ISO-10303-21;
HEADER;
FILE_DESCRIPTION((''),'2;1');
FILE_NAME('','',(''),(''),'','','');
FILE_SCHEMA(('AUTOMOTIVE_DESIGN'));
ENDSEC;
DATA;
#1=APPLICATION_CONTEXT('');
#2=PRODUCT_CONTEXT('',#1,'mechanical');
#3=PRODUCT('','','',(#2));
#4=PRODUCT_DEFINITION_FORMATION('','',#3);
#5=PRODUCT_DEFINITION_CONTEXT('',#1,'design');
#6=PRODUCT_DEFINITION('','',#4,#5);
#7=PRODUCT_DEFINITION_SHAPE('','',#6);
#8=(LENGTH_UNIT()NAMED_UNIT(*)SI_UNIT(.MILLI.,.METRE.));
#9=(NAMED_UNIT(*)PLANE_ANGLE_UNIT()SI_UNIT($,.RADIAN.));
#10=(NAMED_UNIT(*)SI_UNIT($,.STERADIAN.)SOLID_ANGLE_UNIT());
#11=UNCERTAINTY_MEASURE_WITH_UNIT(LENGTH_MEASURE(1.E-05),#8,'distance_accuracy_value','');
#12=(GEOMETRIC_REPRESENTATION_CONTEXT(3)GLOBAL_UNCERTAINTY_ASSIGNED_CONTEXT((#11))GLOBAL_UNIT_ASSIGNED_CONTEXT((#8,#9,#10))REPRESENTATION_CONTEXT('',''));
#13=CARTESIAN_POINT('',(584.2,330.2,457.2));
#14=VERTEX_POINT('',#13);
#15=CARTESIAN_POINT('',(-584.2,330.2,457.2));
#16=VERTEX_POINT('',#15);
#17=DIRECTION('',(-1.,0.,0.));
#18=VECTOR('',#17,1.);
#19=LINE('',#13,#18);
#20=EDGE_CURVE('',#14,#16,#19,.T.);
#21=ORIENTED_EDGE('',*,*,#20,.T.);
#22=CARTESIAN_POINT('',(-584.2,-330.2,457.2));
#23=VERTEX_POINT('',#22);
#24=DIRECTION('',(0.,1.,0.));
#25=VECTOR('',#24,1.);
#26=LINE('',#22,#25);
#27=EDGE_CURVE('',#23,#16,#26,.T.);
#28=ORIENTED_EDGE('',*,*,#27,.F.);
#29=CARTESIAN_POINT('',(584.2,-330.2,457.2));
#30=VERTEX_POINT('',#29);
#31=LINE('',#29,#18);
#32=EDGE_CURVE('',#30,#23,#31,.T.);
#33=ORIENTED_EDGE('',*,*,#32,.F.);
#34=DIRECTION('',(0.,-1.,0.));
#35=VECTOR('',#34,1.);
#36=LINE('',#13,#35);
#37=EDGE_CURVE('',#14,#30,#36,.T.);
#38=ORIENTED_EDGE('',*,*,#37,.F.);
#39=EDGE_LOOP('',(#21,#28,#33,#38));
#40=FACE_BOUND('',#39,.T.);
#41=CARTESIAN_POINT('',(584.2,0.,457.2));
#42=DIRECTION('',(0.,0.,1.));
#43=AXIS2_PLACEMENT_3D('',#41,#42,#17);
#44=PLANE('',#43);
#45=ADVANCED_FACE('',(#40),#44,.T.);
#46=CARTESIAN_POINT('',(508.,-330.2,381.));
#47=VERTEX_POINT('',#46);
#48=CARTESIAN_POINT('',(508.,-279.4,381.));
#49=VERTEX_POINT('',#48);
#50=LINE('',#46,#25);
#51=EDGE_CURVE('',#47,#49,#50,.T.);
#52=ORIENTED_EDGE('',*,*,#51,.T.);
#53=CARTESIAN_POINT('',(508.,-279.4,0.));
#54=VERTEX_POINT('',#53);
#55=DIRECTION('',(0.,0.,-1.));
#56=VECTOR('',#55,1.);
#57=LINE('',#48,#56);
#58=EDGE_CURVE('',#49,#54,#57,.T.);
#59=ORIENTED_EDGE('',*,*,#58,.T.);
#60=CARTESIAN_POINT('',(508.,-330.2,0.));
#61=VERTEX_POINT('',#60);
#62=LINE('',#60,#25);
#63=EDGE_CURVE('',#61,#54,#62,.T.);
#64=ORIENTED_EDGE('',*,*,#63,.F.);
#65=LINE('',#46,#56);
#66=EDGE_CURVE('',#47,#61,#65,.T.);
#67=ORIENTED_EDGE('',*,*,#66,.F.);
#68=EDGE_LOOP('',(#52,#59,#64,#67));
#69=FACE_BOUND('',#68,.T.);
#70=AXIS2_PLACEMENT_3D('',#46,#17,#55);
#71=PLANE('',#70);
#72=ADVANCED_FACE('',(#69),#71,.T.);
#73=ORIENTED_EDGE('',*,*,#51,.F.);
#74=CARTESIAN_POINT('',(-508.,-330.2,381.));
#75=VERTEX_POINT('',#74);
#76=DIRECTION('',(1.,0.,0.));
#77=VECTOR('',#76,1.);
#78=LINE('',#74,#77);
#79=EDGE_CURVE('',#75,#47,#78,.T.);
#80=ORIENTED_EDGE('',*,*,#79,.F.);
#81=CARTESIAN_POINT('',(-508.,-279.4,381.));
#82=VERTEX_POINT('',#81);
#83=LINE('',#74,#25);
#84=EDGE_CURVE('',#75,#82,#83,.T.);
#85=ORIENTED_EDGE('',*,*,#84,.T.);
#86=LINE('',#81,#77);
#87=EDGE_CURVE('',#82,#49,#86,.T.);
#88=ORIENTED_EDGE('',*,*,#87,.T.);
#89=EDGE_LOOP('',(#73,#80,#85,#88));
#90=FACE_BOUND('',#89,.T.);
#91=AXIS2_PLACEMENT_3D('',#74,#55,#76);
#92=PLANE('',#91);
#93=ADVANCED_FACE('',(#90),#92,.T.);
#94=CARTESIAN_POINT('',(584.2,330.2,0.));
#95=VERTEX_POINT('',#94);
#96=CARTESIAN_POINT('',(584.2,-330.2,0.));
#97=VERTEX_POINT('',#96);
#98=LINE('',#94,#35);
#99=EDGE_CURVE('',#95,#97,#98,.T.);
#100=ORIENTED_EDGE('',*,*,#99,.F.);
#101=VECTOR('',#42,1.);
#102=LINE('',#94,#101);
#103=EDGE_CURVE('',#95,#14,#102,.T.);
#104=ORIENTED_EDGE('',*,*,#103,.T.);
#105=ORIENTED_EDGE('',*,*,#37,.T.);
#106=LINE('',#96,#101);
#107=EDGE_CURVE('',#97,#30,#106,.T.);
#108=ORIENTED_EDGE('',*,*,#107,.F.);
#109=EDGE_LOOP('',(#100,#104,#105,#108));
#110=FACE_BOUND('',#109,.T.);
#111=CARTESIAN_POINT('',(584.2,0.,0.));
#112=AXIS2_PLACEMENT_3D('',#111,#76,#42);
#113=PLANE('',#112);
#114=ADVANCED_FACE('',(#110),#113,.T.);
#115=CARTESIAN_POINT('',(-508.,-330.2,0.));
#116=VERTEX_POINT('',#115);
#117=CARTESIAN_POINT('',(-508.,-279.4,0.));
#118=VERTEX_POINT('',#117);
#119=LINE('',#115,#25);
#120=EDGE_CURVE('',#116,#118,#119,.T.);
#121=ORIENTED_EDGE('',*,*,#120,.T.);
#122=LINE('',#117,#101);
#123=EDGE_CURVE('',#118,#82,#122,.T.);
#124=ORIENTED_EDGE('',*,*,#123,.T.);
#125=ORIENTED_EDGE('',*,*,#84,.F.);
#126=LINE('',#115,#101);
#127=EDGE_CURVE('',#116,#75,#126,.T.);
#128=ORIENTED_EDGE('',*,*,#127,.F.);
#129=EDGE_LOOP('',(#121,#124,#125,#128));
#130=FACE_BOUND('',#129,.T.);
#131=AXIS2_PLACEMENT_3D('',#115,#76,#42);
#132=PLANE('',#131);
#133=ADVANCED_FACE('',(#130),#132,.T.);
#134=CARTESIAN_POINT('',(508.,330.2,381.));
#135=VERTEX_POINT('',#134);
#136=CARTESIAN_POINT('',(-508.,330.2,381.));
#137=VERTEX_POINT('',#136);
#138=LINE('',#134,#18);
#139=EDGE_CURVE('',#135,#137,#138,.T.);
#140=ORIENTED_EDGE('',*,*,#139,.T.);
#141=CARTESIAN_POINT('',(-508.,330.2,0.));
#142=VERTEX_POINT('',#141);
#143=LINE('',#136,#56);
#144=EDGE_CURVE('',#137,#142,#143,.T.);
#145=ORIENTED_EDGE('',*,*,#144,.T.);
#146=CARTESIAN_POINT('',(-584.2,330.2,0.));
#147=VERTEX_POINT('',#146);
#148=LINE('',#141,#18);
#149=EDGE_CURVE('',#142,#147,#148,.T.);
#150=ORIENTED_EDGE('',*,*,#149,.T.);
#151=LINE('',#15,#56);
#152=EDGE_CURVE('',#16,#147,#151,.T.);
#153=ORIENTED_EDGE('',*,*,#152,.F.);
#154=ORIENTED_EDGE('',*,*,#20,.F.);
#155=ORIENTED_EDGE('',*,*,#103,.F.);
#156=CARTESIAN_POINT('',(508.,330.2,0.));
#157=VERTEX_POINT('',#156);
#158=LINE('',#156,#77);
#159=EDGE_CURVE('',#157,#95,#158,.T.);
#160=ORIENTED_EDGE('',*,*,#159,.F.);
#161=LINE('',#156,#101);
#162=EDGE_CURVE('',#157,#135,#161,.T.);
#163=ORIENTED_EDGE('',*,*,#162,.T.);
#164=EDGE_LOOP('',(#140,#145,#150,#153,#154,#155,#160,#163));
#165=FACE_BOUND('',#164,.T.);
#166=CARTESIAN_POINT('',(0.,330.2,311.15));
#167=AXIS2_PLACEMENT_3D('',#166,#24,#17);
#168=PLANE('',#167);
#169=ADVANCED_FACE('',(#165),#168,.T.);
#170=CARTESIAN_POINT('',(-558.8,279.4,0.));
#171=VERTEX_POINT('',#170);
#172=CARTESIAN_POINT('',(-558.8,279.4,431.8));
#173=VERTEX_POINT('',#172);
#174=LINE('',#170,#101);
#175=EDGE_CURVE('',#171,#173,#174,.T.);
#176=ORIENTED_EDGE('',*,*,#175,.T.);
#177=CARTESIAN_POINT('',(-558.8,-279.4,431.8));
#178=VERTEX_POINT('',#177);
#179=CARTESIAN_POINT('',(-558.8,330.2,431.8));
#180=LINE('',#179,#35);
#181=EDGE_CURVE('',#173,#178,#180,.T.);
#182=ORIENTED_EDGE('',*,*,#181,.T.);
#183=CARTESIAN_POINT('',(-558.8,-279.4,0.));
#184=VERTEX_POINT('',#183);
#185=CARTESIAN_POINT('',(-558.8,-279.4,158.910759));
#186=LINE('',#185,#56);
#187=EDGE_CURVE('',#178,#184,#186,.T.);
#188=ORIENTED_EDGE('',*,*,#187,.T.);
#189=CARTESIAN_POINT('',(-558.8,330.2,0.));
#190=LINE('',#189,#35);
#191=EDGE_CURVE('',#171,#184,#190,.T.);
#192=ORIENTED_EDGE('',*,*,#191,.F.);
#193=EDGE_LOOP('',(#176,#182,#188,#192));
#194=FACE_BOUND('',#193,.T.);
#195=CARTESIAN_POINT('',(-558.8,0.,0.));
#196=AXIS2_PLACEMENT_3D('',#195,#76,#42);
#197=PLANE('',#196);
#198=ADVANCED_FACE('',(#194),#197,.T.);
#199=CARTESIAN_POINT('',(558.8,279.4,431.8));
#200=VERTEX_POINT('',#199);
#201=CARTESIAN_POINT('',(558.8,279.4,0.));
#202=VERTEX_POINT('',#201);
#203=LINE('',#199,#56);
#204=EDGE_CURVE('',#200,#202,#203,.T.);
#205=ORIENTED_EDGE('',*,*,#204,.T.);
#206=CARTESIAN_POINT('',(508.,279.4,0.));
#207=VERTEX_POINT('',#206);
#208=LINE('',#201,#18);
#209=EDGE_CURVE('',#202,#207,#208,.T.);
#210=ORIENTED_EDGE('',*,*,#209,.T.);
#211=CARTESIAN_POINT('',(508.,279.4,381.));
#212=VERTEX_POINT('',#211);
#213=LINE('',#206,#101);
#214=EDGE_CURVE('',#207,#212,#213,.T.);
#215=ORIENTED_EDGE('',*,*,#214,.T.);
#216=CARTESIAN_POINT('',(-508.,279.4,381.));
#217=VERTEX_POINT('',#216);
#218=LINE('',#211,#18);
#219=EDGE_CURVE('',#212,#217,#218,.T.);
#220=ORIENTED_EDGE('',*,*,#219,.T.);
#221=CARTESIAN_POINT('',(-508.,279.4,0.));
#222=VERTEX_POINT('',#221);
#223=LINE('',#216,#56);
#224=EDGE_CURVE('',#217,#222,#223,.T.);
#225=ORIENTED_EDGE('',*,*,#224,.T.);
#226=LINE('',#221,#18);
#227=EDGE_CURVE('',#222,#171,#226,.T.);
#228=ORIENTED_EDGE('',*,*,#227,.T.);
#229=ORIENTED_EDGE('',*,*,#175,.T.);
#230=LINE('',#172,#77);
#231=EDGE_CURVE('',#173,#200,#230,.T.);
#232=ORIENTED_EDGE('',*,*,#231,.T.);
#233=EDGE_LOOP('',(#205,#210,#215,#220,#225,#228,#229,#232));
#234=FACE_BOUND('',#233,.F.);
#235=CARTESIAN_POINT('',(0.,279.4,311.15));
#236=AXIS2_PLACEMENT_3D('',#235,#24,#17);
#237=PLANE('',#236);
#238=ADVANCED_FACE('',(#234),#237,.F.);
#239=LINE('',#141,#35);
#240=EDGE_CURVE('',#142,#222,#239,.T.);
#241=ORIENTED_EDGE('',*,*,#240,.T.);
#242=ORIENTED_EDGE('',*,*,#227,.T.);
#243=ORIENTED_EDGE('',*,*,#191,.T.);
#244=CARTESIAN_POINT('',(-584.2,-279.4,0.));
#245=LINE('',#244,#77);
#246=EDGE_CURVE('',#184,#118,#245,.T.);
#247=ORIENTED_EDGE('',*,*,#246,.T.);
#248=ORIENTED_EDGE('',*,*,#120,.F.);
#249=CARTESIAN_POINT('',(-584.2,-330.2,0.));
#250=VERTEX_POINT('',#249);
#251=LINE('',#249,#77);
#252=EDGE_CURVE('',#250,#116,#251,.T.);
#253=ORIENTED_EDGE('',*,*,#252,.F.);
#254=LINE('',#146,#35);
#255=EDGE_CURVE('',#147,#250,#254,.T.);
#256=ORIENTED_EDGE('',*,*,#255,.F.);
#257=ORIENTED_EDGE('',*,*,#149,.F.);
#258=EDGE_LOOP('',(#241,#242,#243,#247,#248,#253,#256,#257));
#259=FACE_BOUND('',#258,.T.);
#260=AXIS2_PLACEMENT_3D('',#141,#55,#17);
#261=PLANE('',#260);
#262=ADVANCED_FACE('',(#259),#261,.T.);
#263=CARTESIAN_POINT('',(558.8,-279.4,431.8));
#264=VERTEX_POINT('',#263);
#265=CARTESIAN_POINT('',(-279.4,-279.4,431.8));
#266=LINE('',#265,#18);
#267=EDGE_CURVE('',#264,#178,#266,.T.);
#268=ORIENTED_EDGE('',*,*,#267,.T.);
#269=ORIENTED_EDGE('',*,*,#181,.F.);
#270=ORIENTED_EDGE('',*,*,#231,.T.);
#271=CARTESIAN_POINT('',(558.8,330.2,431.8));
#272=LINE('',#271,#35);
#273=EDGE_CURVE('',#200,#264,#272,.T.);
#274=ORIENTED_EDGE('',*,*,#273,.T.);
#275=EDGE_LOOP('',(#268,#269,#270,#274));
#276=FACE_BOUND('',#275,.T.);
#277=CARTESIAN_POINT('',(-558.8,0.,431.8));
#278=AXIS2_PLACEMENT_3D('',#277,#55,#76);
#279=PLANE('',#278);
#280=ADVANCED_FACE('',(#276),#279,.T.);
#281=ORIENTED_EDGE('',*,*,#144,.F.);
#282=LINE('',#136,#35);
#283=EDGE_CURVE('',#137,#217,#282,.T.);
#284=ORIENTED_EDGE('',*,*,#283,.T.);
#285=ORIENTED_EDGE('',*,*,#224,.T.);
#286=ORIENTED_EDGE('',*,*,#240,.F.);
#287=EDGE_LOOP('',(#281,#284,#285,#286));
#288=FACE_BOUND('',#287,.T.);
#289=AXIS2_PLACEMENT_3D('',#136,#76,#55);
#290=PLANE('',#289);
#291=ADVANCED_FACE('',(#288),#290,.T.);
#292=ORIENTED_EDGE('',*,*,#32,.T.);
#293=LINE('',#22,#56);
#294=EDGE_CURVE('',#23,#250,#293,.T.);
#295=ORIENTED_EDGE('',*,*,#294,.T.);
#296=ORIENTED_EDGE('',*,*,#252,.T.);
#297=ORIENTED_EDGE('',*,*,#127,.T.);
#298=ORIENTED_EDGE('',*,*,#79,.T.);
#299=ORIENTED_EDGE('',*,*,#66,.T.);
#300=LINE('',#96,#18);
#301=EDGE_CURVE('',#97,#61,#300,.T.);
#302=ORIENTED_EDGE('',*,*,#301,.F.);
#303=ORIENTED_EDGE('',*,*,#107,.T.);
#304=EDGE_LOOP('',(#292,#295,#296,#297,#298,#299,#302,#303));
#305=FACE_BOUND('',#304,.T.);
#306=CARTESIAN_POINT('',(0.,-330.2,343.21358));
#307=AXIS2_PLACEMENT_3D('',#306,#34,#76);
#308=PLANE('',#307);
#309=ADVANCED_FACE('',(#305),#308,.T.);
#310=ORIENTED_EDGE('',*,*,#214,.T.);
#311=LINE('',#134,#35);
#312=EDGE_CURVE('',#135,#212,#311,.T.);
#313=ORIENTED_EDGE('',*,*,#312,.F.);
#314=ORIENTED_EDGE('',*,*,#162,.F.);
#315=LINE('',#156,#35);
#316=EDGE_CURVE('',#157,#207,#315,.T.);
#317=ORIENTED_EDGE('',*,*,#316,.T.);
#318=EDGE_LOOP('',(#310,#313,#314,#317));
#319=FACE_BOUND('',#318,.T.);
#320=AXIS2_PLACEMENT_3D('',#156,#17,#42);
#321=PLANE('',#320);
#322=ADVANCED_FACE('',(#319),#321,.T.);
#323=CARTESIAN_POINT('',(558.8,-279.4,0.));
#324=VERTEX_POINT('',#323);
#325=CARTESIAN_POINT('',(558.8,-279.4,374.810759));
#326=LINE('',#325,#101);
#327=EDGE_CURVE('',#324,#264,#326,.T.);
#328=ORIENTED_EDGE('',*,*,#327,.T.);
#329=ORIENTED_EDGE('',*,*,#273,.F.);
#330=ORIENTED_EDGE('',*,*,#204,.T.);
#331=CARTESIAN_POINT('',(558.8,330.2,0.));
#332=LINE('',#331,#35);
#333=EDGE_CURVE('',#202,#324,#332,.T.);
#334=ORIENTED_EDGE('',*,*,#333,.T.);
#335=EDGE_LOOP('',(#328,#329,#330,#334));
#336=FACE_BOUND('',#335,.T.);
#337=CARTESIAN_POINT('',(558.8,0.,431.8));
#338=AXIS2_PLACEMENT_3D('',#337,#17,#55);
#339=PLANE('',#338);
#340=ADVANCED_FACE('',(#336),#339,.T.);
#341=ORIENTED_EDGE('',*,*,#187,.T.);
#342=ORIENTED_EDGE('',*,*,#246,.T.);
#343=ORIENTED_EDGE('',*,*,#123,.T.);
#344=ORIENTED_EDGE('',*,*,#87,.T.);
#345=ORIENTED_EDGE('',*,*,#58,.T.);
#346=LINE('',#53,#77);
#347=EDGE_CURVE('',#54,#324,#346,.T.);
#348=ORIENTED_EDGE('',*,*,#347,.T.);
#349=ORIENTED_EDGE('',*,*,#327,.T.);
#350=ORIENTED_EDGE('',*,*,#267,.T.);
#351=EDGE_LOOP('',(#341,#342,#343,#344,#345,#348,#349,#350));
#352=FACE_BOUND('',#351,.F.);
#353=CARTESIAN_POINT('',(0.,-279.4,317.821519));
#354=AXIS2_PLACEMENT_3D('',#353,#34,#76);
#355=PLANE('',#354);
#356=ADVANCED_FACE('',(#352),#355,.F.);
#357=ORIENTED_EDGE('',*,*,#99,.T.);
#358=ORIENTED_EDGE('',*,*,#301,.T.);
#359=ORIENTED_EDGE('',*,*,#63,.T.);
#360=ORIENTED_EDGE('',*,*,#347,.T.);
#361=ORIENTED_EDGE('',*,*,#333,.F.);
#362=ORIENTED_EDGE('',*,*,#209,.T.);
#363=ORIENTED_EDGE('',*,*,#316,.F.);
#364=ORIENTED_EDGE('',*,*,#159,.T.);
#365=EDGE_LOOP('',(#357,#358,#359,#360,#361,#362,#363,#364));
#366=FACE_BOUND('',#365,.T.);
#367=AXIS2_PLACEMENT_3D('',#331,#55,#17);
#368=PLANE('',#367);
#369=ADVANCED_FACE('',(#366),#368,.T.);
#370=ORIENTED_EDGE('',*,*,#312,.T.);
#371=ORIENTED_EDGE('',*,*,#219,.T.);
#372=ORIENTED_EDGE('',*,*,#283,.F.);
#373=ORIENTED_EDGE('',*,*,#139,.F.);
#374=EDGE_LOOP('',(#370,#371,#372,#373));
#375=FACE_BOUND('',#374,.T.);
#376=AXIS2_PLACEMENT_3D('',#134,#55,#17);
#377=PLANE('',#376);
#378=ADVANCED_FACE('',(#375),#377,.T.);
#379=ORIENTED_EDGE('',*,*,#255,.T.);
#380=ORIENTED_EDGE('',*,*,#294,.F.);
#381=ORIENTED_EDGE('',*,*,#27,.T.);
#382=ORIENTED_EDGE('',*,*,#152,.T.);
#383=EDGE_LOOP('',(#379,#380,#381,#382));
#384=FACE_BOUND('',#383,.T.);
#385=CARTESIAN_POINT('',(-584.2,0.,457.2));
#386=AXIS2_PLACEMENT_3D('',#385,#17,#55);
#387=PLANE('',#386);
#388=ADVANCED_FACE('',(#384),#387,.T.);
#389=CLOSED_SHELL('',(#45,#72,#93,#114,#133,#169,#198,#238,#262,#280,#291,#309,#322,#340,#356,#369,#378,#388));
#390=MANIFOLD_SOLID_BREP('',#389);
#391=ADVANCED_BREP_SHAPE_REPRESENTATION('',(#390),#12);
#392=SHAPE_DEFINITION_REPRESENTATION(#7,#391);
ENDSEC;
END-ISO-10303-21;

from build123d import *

# Parameters (mm, degrees)
F1_DEPTH = 330.2
F3_DEPTH = 50.8
F5_DEPTH = 50.8


with BuildPart() as f1:
    # F0 (on Front) → F1 (new body, symmetric)
    with BuildSketch(Plane.XZ):
        Polygon((-584.2, 457.2), (-584.2, 0), (-558.8, 0), (-558.8, 431.8), (558.8, 431.8), (558.8, 0), (584.2, 0), (584.2, 457.2), align=None)
    extrude(amount=F1_DEPTH, both=True)

    # F2 (on face) → F3 (join)
    with BuildSketch(Plane(origin=(0, 330.2, 0), x_dir=(-1, 0, 0), z_dir=(0, 1, 0))):
        Polygon((-558.8, 431.8), (-558.8, 0), (-508, 0), (-508, 381), (508, 381), (508, 0), (558.8, 0), (558.8, 431.8), align=None)
    extrude(amount=-F3_DEPTH)

    # F4 (on face) → F5 (join)
    with BuildSketch(Plane.XZ.offset(330.2)):
        Polygon((-584.2, 457.2), (-584.2, 0), (-508, 0), (-508, 381), (508, 381), (508, 0), (584.2, 0), (584.2, 457.2), align=None)
    extrude(amount=-F5_DEPTH)


solid = f1.part
